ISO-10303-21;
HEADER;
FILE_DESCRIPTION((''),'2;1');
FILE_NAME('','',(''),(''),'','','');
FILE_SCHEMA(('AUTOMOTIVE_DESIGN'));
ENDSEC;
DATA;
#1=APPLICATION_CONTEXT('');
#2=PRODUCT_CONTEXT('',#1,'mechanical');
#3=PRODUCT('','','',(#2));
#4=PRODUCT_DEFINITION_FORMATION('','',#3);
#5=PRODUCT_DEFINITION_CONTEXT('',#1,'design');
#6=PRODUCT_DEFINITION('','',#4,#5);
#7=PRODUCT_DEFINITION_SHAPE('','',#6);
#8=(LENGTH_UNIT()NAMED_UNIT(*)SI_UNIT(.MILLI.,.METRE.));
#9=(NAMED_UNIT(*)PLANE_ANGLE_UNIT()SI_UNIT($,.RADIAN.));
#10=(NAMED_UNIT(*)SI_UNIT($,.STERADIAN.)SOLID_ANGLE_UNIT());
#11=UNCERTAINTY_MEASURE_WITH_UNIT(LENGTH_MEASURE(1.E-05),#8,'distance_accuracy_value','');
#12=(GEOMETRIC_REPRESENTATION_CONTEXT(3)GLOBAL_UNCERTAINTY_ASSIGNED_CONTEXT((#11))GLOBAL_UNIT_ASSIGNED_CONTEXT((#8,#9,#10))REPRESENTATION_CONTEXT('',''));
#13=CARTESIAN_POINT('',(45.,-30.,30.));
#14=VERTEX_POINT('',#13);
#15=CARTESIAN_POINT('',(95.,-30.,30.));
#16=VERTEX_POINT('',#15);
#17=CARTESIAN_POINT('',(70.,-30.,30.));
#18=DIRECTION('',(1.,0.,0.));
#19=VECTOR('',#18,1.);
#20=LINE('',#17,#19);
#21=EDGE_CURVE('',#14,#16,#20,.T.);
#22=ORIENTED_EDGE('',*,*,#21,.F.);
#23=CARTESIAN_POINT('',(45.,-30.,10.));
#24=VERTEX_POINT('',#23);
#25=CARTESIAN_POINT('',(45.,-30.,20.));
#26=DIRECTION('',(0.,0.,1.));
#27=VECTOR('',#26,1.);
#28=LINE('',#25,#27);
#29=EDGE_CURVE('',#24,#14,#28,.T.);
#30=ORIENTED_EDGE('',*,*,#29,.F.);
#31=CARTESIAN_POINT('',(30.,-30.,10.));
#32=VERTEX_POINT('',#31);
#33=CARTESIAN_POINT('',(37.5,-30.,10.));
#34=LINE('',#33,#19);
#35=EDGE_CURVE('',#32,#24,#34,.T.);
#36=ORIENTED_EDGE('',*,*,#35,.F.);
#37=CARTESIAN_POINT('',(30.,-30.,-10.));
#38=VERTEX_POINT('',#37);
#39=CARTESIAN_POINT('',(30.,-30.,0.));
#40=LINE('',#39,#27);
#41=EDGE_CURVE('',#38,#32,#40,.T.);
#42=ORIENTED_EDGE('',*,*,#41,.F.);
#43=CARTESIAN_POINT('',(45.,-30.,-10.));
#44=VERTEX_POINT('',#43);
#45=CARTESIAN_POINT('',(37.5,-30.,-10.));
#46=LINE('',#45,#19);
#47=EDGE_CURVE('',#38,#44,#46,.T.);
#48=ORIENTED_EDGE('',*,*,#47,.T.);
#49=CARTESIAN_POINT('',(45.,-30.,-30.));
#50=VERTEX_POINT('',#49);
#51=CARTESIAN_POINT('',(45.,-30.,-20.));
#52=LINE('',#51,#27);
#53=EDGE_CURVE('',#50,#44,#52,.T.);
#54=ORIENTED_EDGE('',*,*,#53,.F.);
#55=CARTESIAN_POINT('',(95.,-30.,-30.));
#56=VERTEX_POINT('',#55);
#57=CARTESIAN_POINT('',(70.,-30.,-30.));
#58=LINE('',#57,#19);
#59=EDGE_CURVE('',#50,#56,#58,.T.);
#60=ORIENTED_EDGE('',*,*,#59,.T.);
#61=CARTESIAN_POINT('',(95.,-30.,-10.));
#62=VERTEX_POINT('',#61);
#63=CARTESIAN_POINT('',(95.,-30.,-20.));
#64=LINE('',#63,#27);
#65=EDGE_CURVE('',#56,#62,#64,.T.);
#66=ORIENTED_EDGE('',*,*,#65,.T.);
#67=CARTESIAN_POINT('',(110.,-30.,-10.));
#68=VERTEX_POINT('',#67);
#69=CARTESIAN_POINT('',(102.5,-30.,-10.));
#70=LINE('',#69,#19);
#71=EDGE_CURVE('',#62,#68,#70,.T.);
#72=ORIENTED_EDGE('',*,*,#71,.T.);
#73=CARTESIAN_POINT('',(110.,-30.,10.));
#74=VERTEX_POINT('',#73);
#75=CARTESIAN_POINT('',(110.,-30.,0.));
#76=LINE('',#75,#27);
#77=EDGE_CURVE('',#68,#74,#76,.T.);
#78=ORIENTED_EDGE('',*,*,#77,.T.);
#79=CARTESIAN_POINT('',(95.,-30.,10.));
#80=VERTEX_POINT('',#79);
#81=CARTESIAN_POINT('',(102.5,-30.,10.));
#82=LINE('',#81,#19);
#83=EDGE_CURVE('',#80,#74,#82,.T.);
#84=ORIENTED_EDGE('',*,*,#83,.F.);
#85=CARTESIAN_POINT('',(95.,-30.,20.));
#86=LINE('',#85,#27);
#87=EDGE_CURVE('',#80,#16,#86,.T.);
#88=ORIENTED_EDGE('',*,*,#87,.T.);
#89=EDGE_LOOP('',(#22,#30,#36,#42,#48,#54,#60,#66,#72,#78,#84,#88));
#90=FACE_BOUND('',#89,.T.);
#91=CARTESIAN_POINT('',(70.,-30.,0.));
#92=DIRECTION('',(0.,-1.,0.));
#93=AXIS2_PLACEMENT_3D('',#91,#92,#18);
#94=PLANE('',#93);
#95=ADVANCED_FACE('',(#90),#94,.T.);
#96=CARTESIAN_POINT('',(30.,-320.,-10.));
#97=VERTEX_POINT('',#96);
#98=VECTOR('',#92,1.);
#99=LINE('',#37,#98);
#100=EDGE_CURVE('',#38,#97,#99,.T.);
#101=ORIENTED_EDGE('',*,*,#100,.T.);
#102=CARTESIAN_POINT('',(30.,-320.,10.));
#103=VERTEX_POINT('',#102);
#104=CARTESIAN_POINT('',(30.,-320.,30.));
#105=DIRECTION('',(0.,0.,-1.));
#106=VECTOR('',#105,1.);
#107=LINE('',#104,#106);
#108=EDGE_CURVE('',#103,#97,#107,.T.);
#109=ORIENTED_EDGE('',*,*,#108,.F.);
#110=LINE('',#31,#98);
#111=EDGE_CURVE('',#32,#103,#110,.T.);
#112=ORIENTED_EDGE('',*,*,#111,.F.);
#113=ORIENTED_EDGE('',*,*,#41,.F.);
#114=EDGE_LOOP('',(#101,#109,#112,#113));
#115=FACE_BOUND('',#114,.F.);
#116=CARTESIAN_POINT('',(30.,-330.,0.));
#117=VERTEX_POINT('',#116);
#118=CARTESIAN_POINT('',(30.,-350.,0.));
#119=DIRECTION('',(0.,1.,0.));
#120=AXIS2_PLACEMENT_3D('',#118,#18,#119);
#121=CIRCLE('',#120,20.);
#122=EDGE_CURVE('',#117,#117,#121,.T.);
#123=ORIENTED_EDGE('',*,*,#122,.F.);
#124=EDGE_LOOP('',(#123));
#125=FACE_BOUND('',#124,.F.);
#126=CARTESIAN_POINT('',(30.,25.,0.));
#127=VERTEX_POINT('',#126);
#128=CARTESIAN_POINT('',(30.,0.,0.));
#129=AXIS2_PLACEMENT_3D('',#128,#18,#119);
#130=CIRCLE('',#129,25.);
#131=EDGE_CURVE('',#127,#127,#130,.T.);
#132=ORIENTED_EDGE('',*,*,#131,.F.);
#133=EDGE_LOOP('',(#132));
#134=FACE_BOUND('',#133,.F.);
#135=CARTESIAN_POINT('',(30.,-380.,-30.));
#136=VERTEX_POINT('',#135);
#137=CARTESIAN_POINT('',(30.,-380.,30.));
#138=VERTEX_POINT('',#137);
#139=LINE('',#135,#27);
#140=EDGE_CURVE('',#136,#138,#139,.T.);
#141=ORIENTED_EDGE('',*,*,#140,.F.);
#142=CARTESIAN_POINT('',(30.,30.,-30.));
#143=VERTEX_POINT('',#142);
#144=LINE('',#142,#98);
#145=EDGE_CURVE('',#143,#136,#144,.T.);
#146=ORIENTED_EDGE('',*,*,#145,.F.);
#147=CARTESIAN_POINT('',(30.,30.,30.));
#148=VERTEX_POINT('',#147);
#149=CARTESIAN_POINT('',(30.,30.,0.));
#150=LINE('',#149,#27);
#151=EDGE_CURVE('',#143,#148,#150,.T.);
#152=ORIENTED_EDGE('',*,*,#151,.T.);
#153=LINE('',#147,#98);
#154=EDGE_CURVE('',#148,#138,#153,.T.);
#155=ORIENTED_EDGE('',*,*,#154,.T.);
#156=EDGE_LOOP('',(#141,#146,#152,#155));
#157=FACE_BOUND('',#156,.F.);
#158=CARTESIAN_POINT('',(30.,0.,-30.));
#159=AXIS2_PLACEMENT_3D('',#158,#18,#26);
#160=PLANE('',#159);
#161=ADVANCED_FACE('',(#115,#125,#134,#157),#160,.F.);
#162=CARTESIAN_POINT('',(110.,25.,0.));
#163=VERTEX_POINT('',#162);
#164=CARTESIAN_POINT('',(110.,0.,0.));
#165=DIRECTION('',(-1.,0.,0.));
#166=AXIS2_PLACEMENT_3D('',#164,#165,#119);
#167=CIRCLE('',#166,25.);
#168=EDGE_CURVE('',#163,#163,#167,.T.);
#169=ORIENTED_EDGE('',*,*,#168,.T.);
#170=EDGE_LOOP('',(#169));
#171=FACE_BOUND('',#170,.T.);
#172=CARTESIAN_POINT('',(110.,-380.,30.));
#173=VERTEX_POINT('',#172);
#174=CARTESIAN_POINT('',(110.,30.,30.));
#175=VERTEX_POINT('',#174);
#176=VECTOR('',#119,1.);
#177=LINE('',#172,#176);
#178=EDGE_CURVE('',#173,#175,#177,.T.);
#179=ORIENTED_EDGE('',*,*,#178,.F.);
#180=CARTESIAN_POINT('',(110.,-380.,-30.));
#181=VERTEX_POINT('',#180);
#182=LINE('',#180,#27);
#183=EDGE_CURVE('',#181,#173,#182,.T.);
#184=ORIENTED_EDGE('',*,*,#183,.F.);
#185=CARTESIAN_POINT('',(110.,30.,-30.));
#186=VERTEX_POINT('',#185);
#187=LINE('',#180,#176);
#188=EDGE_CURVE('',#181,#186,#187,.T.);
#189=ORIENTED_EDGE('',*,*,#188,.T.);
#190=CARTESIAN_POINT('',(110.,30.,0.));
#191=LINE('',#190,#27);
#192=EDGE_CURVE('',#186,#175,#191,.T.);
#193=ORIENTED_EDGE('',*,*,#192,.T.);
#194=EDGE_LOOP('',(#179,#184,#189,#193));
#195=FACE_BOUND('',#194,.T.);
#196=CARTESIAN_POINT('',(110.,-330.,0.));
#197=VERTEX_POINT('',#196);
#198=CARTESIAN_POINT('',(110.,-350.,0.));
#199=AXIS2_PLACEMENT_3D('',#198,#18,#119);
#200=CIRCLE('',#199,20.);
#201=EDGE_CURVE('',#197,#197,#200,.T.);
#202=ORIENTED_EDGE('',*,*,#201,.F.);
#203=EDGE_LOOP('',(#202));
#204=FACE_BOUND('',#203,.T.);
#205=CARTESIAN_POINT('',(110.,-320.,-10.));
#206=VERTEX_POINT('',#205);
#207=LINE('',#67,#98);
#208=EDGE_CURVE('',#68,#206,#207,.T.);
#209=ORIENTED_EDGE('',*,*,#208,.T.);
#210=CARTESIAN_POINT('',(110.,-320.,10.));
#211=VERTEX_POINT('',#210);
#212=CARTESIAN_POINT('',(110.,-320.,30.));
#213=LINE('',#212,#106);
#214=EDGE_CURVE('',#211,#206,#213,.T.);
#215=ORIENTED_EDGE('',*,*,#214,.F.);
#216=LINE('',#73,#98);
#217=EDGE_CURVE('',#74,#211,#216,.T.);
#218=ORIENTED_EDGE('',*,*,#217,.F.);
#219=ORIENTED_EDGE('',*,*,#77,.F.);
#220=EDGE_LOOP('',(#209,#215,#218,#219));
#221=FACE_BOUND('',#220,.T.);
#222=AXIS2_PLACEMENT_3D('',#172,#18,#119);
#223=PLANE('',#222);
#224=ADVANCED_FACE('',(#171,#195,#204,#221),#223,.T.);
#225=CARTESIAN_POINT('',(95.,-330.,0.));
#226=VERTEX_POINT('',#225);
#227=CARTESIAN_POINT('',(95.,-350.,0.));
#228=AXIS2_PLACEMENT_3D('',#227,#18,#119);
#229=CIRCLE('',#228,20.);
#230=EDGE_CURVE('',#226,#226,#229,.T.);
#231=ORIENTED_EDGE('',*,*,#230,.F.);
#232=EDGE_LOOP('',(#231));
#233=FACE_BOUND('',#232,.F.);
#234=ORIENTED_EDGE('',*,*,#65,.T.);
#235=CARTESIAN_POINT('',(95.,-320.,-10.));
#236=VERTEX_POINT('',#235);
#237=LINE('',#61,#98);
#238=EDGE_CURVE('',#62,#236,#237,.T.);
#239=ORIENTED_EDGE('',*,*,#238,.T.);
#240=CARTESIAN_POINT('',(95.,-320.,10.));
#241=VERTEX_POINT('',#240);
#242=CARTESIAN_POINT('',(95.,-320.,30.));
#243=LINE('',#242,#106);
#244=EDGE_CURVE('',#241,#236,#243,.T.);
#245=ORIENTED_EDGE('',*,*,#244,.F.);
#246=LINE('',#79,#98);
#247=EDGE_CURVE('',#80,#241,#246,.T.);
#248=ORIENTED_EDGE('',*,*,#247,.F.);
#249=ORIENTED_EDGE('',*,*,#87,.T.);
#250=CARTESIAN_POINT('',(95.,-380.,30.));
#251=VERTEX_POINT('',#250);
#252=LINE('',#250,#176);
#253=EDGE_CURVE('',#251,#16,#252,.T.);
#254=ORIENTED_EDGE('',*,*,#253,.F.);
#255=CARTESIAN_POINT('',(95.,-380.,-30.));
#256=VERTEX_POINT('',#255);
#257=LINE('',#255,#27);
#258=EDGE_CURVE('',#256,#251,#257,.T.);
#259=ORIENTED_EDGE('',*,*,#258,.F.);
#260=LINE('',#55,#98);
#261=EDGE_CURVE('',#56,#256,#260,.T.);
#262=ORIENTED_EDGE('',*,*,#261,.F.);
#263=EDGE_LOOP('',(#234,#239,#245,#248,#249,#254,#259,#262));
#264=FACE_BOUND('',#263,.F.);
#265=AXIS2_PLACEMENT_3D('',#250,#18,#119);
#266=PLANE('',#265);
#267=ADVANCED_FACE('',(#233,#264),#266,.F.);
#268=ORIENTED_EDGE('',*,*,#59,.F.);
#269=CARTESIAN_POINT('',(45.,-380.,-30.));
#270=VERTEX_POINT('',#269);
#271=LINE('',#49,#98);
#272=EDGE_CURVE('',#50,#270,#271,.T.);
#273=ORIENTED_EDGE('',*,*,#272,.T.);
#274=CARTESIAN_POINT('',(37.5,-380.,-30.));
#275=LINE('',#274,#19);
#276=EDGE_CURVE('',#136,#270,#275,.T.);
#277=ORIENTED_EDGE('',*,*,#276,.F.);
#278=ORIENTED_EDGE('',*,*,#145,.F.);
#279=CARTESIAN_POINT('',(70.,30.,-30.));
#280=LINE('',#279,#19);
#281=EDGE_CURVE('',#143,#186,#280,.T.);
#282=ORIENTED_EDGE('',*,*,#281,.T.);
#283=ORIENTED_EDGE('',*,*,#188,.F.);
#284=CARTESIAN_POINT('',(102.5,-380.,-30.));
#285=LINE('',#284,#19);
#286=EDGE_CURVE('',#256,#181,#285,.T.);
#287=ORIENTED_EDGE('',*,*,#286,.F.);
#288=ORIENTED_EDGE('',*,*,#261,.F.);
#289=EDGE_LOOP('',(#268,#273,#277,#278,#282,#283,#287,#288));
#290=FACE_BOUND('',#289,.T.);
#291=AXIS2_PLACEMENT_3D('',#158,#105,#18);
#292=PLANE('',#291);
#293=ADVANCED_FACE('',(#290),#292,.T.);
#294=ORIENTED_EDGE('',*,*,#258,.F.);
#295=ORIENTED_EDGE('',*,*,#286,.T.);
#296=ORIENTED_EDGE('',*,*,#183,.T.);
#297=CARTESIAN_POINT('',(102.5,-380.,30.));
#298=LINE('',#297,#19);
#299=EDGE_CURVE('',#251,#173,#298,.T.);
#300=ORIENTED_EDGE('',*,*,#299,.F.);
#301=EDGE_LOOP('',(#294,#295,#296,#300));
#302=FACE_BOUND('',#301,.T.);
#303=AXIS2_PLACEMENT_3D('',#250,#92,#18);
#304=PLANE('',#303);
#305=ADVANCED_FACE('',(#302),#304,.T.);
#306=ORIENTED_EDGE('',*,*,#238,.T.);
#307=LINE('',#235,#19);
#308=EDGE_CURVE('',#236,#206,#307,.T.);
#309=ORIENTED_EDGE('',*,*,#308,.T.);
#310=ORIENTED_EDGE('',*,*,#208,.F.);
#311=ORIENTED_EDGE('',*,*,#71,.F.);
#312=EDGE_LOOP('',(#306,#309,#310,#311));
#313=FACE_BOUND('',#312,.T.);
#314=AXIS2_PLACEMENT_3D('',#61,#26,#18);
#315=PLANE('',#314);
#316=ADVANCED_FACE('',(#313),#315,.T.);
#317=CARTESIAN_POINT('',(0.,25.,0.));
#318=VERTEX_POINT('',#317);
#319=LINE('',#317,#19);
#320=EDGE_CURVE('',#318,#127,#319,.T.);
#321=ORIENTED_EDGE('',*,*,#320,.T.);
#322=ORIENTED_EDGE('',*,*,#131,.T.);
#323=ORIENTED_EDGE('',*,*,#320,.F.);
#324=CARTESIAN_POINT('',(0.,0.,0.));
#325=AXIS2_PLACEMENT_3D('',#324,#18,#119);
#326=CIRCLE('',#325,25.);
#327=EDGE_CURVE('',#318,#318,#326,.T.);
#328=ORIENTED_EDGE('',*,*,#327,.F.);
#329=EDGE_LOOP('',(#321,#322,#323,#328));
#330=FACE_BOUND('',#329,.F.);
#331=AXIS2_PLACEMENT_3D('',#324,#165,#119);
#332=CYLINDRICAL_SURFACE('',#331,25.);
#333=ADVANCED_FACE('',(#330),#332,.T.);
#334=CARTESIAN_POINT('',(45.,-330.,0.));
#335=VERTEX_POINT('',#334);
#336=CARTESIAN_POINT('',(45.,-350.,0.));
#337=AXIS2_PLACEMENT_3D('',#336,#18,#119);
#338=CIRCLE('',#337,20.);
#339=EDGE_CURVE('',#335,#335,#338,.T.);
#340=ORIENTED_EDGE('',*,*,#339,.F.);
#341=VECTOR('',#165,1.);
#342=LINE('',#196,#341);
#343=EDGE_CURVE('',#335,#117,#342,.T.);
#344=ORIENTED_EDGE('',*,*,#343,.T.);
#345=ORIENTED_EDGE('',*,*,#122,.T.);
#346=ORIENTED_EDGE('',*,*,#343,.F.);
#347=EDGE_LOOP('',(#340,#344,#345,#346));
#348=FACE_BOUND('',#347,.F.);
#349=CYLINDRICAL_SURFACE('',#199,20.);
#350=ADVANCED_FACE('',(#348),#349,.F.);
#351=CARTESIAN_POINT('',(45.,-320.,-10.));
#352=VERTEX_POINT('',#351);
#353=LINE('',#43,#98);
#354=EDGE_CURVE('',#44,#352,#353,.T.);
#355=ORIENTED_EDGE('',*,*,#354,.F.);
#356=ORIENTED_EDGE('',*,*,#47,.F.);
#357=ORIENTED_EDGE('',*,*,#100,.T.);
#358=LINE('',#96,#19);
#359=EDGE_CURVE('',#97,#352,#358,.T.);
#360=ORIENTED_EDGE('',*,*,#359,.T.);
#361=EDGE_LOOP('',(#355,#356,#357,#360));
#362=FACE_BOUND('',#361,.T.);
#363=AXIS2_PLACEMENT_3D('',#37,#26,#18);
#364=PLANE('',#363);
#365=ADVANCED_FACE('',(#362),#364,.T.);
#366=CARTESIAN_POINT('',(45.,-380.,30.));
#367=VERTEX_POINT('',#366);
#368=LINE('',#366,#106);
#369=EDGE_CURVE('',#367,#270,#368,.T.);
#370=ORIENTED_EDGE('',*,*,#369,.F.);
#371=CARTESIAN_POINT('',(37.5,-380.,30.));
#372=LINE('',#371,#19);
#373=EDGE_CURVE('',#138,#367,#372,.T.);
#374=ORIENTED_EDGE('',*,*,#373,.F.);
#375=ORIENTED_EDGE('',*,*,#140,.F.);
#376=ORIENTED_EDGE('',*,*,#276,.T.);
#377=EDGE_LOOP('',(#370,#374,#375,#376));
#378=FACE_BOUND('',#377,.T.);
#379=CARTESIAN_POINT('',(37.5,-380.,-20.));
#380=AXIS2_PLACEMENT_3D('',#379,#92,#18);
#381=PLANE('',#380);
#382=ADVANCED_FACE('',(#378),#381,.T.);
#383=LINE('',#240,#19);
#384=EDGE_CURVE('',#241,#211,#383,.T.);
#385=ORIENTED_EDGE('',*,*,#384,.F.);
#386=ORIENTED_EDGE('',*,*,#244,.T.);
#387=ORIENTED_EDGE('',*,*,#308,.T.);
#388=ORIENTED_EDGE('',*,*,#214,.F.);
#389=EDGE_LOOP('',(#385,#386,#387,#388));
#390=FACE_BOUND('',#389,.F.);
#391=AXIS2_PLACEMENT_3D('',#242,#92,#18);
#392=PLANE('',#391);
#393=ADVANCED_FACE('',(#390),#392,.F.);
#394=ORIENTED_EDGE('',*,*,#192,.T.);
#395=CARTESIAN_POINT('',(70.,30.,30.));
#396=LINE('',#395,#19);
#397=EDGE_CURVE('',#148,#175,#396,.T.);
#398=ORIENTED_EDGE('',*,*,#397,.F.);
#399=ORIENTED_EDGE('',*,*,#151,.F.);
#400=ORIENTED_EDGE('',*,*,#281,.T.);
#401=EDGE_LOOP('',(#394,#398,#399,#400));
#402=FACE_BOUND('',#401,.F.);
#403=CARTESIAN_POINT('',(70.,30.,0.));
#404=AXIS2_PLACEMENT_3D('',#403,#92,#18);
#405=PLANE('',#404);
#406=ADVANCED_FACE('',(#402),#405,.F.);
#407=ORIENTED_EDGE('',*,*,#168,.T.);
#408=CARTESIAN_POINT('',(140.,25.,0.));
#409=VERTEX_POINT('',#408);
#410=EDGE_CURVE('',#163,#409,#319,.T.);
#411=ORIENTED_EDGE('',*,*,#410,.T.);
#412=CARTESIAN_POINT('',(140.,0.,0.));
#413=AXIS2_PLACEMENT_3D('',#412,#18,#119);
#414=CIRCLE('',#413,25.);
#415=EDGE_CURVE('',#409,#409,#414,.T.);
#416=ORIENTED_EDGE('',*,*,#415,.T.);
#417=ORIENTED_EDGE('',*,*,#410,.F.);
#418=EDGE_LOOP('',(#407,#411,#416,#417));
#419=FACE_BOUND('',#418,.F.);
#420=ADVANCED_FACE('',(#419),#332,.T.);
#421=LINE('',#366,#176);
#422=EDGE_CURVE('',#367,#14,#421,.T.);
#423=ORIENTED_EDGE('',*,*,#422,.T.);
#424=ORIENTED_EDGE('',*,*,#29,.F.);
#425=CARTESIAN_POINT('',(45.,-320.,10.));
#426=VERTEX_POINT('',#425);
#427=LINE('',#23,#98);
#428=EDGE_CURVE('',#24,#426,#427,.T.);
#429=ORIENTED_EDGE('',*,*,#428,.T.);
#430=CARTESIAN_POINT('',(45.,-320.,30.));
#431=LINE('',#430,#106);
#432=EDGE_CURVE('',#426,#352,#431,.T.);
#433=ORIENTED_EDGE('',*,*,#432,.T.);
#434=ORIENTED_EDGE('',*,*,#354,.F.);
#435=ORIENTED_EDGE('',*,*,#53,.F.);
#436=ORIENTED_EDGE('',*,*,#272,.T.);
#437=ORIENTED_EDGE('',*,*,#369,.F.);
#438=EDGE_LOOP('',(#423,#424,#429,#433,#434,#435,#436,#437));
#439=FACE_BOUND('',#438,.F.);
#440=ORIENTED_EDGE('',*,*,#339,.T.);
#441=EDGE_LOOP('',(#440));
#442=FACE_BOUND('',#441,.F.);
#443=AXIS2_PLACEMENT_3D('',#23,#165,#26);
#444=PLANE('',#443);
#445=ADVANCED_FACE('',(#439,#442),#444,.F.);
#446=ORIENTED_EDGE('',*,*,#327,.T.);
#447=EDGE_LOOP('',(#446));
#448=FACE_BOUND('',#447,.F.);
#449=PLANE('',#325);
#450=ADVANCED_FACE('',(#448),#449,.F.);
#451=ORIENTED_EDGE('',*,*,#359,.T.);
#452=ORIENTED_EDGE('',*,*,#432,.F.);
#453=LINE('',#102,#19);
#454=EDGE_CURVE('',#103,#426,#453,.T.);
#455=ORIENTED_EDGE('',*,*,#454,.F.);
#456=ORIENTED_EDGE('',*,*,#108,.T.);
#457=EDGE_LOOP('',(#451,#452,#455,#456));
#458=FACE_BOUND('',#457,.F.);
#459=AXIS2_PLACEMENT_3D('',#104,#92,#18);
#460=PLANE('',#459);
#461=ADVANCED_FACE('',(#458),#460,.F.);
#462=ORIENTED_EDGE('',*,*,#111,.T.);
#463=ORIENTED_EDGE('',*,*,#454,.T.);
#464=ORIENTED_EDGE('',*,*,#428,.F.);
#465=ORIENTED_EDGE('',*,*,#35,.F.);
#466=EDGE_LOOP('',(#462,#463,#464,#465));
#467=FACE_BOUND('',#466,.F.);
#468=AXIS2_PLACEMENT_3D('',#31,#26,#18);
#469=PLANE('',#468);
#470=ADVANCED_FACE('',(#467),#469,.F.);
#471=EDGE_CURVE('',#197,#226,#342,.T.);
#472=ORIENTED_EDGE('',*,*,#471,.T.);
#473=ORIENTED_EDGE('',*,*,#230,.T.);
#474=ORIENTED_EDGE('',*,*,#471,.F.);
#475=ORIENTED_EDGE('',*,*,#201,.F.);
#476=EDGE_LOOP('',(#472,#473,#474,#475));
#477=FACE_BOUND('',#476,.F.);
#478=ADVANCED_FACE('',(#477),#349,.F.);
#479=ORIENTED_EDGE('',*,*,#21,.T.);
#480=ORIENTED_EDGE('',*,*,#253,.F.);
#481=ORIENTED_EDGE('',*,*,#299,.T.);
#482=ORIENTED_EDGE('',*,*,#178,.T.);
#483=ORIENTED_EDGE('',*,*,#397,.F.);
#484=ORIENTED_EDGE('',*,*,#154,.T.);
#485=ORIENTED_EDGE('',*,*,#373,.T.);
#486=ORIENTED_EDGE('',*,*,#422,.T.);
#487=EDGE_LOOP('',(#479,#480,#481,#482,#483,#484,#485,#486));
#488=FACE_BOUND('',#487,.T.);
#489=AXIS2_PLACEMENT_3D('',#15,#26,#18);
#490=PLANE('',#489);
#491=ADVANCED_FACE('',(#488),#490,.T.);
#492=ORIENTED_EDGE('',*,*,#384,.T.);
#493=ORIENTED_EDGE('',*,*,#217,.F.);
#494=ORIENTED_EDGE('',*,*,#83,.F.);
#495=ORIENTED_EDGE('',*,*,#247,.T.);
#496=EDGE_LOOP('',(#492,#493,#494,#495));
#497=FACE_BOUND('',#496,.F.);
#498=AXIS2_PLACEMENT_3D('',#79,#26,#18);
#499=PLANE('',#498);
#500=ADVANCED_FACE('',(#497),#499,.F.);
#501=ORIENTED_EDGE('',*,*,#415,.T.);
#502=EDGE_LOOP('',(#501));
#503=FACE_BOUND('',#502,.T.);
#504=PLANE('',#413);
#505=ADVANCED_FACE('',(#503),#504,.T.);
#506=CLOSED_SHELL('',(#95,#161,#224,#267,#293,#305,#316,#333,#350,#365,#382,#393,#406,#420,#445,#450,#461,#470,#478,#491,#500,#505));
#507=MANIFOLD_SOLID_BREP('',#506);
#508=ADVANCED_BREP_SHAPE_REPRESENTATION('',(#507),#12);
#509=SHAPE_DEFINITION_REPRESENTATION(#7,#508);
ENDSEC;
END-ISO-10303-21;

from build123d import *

# Parameters (mm, degrees)
F0_R          = 25
F1_DEPTH      = 140
F2_W          = 80
F2_H          = 60
F3_DEPTH      = 30
F3_DEPTH_BACK = 30
F4_W          = 15
F4_H          = 20
F5_DEPTH      = 350
F6_W          = 15
F6_H          = 60
F7_DEPTH      = 50
F8_R          = 20
F9_DEPTH      = 110.001


with BuildPart() as f1:
    # F0 (on Right) → F1 (new body)
    with BuildSketch(Plane.YZ):
        Circle(F0_R)
    extrude(amount=F1_DEPTH)

    # F2 (on Front) → F3 (join, two sides)
    with BuildSketch(Plane.XZ) as f3_sk:
        with Locations((70, 0)):
            Rectangle(F2_W, F2_H)
    extrude(amount=F3_DEPTH)
    extrude(f3_sk.sketch, amount=-F3_DEPTH_BACK)

    # F4 (on face) → F5 (join)
    with BuildSketch(Plane.XZ.offset(30)):
        with Locations((102.5, 20)):
            Rectangle(F4_W, F4_H)
        with Locations((37.5, 20)):
            Rectangle(F4_W, F4_H)
        with Locations((37.5, -20)):
            Rectangle(F4_W, F4_H)
        with Locations((102.5, -20)):
            Rectangle(F4_W, F4_H)
    extrude(amount=F5_DEPTH)

    # F6 (on face) → F7 (join)
    with BuildSketch(Plane.XY.offset(30)):
        with Locations((102.5, -350)):
            Rectangle(F6_W, F6_H)
        with Locations((37.5, -350)):
            Rectangle(F6_W, F6_H)
    extrude(amount=-F7_DEPTH)

    # F8 (on face) → F9 (cut, through all)
    with BuildSketch(Plane.YZ.offset(110)):
        with Locations((-350, 0)):
            Circle(F8_R)
    extrude(amount=-F9_DEPTH, mode=Mode.SUBTRACT)


solid = f1.part
